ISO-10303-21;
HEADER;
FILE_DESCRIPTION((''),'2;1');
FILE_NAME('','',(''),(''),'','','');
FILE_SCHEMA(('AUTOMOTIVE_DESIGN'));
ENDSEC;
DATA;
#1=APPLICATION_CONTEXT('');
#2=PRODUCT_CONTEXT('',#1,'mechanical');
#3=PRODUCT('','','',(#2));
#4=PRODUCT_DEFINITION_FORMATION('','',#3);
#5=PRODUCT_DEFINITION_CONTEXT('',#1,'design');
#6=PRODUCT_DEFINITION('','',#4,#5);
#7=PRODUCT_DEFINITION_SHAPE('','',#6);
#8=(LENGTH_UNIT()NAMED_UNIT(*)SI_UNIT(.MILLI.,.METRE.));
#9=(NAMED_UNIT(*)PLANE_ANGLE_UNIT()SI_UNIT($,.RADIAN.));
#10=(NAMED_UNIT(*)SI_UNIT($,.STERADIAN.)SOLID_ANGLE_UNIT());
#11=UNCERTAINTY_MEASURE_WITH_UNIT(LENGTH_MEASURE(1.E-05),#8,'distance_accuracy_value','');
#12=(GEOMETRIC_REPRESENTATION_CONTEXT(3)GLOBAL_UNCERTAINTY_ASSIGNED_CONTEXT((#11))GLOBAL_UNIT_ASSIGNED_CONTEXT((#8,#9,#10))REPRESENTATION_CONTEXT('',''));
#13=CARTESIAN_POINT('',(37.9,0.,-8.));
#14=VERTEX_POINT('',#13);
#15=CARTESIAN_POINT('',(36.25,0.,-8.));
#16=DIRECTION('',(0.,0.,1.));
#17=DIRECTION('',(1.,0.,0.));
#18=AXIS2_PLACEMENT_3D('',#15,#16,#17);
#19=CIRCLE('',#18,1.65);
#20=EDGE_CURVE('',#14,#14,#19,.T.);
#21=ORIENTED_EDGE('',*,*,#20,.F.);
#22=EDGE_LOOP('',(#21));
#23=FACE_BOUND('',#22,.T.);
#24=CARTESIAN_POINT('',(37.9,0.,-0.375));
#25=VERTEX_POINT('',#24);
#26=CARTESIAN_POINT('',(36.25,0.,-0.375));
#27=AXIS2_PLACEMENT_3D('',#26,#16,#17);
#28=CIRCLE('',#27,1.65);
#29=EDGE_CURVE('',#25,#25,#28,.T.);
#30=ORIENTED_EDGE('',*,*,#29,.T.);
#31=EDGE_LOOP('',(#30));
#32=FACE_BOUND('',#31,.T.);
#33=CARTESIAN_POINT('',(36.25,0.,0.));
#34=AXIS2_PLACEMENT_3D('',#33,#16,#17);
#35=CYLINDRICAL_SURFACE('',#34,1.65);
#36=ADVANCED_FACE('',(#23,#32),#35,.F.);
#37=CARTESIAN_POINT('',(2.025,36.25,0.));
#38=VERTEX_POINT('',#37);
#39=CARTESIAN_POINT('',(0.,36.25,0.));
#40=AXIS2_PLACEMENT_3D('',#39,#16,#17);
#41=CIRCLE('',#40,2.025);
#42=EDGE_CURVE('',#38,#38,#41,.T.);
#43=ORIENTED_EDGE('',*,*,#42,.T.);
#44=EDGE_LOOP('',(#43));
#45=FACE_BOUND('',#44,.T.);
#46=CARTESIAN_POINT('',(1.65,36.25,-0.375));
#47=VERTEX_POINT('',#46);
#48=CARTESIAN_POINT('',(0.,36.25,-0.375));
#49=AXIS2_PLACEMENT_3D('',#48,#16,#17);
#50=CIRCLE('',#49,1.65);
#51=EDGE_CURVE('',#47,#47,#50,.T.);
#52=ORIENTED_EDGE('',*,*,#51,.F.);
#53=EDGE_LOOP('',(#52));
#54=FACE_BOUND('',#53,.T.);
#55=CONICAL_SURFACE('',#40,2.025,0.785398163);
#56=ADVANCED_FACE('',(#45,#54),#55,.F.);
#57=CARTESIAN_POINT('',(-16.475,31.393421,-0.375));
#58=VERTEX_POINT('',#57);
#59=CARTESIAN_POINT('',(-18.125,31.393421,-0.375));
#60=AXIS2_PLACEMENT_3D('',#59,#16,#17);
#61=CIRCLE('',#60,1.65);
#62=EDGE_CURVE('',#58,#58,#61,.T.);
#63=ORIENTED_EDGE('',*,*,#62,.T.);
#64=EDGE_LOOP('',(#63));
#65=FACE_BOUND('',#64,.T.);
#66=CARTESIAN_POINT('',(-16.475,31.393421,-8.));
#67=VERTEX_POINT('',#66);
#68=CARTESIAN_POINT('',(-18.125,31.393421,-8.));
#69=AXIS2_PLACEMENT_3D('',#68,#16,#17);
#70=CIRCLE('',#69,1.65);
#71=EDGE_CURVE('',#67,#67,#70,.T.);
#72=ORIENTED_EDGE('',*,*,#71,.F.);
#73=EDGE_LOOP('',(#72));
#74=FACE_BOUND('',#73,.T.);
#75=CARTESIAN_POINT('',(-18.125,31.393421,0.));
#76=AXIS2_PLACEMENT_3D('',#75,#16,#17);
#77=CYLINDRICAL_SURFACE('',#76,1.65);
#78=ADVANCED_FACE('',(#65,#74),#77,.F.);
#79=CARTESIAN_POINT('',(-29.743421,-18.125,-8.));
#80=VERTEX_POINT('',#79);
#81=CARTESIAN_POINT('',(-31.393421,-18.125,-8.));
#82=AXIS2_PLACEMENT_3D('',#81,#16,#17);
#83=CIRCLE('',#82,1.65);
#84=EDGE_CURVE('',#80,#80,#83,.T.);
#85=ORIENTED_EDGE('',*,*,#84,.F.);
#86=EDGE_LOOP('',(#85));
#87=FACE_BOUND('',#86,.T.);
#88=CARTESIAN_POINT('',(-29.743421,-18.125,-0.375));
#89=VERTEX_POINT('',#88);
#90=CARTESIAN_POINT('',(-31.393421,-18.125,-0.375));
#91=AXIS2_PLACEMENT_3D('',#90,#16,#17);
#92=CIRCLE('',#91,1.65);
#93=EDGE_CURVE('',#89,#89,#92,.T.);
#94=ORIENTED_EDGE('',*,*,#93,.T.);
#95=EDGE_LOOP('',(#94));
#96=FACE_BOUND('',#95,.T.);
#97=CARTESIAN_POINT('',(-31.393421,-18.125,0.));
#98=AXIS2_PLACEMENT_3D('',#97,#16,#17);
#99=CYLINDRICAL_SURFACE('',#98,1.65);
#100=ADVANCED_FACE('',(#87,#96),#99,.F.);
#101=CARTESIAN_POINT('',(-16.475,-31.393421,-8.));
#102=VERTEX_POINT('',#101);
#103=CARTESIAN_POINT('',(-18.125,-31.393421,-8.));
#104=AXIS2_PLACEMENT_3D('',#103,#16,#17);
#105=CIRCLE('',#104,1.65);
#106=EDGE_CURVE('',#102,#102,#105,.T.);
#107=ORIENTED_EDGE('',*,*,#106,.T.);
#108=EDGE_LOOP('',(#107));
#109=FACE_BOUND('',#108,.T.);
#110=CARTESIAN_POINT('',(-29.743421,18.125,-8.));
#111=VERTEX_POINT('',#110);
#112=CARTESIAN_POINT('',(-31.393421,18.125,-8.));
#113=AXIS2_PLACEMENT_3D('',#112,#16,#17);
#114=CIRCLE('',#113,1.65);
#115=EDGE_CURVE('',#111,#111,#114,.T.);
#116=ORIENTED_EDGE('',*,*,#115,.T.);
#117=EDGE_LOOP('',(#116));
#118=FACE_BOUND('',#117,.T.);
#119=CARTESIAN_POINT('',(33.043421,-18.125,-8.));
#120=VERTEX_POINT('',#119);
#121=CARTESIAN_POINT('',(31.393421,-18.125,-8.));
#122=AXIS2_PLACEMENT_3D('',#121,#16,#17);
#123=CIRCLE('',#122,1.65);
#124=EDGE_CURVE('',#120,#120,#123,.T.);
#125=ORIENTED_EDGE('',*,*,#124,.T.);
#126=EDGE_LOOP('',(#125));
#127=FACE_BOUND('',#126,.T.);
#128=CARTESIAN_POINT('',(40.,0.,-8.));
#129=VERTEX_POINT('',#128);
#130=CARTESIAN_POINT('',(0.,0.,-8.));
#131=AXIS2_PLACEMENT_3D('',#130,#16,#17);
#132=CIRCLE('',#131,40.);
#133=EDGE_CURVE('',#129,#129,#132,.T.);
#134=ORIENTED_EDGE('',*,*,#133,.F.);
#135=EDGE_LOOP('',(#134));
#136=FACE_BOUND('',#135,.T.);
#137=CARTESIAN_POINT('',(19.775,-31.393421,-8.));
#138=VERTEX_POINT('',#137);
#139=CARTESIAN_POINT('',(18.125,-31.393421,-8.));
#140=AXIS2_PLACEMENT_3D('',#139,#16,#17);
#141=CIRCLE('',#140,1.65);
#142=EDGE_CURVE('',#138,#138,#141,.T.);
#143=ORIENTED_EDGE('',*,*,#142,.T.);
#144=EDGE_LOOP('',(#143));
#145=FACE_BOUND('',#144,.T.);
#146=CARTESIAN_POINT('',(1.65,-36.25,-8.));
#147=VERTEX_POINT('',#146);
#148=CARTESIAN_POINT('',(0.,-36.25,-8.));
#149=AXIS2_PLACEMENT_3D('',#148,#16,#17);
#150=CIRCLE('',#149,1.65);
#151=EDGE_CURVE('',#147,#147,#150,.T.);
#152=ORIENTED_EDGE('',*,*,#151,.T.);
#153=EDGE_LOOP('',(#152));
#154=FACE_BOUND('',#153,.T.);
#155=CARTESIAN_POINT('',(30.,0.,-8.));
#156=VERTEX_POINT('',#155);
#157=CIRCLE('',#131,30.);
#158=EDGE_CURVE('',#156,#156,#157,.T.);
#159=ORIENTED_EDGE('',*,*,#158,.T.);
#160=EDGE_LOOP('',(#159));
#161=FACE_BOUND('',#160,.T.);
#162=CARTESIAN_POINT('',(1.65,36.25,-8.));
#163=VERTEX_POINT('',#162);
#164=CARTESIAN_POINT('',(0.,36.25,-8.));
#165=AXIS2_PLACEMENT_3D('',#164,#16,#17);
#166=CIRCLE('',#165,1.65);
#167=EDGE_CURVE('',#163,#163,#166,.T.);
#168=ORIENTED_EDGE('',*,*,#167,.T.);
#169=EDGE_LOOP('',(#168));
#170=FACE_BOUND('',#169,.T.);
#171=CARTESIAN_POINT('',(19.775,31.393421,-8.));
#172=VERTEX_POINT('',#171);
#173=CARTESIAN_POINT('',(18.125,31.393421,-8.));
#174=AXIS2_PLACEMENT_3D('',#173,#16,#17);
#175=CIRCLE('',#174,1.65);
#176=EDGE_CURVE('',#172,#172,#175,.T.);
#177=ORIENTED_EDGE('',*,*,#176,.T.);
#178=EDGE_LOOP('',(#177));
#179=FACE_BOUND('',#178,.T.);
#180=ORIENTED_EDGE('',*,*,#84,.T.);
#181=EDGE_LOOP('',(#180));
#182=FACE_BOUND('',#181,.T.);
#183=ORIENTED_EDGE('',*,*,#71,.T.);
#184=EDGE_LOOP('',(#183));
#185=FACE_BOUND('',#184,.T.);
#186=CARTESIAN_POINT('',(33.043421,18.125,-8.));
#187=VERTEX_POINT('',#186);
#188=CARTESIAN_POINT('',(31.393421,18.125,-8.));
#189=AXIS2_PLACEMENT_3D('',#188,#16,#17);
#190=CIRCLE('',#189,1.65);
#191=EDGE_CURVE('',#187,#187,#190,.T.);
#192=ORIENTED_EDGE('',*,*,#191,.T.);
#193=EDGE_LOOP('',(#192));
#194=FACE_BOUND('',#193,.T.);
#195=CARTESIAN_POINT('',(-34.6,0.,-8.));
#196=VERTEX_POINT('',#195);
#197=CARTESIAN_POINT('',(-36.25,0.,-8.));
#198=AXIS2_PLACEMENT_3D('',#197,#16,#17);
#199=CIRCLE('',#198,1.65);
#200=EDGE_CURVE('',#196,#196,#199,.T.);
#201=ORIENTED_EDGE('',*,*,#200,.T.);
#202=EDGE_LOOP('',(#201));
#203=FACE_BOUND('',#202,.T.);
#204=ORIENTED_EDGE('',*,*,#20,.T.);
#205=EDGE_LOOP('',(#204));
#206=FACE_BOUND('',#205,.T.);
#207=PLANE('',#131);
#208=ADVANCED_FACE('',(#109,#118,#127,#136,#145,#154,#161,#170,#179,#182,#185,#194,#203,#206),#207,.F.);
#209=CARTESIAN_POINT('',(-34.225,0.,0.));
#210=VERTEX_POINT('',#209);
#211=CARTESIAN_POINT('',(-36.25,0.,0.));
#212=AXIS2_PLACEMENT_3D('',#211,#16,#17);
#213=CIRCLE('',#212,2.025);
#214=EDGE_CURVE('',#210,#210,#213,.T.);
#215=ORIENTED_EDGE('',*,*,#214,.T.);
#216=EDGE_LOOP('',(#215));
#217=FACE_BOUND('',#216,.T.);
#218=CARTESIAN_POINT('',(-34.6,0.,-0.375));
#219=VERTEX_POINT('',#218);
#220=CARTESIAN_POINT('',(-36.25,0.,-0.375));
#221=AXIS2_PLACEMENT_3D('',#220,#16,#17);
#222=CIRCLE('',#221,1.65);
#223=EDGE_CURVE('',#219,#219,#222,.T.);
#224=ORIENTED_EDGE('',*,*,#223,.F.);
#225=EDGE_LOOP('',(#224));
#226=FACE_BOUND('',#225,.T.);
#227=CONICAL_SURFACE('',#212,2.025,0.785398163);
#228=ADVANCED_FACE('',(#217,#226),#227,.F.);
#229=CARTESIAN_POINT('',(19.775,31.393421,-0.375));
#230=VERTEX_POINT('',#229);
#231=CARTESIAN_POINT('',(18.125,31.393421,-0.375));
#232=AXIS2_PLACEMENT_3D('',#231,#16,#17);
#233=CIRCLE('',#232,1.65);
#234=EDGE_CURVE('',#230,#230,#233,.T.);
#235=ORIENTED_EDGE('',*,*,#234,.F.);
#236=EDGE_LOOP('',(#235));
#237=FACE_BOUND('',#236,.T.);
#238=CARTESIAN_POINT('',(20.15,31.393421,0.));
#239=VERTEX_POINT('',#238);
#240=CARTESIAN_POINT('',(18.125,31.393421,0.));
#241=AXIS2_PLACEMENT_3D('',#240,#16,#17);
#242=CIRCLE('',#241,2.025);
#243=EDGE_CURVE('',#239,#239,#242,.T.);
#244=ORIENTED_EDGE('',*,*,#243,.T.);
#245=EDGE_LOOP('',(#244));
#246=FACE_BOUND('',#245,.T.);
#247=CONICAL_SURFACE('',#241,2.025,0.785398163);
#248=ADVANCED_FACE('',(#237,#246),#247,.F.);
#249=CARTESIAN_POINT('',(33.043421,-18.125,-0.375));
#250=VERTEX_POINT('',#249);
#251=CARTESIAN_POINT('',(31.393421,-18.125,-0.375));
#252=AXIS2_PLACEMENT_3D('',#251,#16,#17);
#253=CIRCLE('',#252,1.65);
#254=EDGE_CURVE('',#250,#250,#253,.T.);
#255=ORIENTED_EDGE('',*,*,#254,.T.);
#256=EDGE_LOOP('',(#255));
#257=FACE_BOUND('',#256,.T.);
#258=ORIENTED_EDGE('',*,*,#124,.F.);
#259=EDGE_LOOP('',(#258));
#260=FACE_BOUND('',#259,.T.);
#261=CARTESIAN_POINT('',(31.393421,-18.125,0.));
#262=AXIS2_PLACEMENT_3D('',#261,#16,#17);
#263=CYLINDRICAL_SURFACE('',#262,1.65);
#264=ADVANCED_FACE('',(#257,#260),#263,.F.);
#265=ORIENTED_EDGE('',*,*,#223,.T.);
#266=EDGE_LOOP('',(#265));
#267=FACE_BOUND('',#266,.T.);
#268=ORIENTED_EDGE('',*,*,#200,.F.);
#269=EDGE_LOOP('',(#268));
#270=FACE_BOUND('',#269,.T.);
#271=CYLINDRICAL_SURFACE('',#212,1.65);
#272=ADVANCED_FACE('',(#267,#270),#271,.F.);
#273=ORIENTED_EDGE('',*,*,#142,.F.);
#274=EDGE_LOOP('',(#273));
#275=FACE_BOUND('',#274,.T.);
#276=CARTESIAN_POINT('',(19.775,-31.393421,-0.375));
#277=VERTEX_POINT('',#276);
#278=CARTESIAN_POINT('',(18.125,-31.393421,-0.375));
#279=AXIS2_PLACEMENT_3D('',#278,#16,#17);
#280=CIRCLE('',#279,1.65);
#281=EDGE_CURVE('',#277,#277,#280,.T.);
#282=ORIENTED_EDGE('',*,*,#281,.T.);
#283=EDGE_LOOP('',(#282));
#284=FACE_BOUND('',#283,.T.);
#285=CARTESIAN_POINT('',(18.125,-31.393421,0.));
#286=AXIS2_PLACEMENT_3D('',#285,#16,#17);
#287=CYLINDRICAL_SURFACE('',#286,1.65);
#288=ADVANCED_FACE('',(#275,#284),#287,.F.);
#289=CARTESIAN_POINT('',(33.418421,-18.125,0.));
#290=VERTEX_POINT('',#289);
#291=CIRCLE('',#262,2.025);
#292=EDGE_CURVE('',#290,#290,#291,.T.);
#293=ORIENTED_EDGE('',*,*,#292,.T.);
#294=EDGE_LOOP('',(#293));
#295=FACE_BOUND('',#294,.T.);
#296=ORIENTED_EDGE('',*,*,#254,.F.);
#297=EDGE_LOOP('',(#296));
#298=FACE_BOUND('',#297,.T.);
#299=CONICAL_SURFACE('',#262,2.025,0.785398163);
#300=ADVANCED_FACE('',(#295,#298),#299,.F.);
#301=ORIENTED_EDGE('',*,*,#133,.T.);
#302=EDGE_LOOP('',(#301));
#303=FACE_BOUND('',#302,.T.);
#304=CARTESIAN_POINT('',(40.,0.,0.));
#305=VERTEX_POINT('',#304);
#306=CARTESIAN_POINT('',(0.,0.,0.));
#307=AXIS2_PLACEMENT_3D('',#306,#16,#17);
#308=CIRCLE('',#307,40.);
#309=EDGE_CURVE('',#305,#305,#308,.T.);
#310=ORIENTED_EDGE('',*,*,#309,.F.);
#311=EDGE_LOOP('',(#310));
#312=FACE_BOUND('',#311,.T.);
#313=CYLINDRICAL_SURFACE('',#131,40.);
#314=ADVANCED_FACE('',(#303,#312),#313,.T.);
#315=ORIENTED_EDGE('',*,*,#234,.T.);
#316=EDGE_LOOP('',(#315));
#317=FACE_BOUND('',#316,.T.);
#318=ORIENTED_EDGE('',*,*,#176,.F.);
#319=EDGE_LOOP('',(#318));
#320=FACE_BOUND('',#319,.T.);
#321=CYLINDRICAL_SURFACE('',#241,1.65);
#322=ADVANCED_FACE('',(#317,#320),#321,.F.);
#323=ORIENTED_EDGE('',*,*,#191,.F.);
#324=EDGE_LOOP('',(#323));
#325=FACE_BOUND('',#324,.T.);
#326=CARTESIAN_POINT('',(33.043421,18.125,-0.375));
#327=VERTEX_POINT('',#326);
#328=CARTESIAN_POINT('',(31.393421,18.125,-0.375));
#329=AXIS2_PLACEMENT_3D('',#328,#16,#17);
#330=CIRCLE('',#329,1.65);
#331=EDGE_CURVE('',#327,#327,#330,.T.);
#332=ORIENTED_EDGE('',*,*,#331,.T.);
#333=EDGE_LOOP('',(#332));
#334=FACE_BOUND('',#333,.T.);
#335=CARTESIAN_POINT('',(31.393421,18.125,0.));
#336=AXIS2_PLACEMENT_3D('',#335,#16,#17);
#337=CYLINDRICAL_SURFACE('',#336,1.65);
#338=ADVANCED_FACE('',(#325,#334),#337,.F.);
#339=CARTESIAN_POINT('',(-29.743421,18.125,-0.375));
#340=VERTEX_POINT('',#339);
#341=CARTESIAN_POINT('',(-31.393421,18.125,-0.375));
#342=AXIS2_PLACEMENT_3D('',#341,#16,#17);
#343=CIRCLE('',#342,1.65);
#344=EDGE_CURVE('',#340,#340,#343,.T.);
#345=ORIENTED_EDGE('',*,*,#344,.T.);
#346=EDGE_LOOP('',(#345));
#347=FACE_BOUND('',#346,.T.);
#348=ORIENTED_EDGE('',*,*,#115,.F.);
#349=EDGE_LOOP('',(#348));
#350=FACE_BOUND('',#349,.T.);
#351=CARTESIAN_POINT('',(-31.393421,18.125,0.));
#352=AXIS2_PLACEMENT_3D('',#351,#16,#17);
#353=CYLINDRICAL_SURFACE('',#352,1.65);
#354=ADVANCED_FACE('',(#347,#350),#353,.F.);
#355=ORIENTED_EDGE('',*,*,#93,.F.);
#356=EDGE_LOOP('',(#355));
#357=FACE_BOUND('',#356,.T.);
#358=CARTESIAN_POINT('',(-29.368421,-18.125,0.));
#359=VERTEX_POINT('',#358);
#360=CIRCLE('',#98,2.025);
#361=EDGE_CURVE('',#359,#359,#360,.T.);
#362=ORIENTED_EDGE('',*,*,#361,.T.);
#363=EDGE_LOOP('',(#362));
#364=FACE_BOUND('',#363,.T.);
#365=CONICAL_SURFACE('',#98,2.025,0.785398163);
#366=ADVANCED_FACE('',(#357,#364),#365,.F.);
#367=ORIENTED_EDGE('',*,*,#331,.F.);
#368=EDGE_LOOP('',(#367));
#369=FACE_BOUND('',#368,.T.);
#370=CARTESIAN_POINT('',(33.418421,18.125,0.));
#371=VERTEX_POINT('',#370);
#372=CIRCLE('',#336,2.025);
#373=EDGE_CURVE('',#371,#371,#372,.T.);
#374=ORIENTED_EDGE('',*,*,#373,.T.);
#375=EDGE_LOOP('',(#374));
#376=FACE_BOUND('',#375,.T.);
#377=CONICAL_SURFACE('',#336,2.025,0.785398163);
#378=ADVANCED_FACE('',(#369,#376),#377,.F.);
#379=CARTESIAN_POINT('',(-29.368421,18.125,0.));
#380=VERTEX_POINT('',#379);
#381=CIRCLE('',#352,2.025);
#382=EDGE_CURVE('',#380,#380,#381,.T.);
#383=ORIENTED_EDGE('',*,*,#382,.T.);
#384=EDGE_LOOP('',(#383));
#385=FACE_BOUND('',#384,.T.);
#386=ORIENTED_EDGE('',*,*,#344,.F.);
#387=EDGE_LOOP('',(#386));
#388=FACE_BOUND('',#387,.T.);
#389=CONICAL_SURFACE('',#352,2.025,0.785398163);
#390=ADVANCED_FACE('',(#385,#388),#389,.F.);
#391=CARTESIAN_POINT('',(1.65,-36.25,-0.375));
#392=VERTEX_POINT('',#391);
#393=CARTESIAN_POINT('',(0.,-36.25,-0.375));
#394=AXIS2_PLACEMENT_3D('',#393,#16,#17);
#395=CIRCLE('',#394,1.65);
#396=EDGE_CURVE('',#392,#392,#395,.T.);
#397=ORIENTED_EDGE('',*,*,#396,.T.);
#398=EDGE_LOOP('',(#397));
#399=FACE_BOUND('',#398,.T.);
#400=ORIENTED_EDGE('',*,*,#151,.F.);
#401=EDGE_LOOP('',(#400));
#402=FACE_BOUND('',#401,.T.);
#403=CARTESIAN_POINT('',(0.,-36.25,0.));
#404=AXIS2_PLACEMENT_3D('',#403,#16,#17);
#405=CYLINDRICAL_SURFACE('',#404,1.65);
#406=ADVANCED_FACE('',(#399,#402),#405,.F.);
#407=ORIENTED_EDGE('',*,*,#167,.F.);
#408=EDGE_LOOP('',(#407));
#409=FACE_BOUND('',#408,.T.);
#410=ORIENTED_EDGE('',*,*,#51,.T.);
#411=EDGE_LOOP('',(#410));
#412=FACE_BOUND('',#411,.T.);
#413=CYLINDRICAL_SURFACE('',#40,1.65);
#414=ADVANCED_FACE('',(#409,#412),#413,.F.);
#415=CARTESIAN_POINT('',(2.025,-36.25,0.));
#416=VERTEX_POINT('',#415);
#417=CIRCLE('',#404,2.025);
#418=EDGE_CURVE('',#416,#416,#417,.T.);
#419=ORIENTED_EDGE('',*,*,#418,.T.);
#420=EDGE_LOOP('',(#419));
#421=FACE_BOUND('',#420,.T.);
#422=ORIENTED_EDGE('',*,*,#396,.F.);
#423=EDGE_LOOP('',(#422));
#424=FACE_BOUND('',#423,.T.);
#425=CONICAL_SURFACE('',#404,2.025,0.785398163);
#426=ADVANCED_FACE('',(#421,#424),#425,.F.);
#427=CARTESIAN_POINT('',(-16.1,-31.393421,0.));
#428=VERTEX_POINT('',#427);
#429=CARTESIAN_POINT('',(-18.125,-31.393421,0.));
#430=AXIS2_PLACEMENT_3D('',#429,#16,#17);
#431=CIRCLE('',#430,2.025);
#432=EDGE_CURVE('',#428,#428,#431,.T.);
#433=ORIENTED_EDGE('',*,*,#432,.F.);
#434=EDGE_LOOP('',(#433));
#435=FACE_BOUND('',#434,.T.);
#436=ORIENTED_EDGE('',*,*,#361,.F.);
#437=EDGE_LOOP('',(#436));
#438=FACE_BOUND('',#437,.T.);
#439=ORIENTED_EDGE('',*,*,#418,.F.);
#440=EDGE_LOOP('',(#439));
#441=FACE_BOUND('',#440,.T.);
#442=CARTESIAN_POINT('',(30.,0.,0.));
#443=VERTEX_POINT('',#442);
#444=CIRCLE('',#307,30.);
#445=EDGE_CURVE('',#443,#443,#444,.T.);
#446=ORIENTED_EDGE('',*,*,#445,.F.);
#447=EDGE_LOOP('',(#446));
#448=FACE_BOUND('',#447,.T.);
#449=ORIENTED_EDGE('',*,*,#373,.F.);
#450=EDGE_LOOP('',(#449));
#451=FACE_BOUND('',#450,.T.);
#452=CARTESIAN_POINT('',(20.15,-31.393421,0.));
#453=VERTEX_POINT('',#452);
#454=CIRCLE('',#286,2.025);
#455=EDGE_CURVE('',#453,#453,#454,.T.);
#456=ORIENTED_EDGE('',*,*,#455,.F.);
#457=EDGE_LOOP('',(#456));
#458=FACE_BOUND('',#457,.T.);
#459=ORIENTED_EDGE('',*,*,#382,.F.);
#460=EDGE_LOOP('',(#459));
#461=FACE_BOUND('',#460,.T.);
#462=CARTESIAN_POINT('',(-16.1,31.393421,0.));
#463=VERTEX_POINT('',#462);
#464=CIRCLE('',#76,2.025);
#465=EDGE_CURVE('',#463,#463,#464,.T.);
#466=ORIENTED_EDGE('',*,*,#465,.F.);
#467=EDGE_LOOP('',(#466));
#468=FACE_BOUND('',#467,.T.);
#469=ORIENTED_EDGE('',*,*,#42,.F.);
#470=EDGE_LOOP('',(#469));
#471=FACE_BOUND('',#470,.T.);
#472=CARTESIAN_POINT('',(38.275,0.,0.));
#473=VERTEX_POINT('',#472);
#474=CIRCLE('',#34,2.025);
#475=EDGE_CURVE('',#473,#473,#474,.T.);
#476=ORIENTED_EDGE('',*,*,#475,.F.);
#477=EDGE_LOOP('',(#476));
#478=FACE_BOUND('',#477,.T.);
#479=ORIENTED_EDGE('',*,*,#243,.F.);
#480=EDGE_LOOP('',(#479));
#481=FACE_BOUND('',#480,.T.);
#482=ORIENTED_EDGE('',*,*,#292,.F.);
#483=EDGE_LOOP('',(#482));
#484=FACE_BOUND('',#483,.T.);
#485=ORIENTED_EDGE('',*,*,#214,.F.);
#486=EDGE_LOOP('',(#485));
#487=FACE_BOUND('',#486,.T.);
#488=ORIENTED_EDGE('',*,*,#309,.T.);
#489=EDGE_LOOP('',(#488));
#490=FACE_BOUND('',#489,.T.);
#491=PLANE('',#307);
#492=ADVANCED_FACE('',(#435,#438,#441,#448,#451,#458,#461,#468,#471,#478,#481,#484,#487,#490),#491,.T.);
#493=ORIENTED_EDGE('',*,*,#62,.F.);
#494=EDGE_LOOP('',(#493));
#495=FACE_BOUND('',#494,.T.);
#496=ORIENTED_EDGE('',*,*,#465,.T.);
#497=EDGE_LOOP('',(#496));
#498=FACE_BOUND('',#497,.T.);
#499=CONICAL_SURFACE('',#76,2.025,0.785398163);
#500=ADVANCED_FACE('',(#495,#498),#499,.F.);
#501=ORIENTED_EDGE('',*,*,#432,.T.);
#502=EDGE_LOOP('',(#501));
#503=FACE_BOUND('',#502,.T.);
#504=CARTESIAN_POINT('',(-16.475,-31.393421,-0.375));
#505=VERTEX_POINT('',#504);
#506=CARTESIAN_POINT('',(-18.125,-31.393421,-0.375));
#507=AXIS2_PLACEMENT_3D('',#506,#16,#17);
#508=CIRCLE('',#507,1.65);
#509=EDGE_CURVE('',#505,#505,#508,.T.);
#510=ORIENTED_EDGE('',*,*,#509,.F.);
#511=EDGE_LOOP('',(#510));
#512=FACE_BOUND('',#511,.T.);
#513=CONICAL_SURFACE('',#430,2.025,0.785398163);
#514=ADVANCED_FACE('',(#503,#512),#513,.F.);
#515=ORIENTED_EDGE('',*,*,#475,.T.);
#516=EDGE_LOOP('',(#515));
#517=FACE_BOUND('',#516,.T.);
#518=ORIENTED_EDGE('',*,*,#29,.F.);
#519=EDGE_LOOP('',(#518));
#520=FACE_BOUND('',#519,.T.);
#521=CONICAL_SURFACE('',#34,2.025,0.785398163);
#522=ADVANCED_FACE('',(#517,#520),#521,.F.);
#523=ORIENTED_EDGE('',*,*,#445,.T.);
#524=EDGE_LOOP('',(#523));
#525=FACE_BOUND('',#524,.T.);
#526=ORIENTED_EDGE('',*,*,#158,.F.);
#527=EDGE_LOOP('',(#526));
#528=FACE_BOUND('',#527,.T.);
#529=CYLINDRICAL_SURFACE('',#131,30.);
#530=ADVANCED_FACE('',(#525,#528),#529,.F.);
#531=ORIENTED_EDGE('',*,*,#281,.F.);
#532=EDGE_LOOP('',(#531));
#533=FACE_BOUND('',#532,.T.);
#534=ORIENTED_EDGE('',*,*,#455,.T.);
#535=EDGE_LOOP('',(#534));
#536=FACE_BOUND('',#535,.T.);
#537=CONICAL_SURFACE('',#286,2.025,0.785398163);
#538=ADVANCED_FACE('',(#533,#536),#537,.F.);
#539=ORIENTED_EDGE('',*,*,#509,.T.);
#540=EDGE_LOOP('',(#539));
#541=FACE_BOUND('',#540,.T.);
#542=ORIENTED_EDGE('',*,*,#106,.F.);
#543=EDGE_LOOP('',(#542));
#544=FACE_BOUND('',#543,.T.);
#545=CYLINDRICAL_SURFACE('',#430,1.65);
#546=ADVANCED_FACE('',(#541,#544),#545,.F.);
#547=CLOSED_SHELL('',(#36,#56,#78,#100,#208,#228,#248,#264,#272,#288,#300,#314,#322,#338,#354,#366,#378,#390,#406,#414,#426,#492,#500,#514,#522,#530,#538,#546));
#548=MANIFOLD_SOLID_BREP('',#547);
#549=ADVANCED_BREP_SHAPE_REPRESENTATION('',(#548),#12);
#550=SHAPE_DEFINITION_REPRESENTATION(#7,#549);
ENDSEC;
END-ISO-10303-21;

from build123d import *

# Parameters (mm, degrees)
SKETCH1_R                       = 40
SKETCH1_R_2                     = 30
BOSS_EXTRUDE1_DEPTH             = 8
M4X0_7_TAPPED_HOLE1_D           = 3.3
M4X0_7_TAPPED_HOLE1_CSINK_D     = 4.05
M4X0_7_TAPPED_HOLE1_CSINK_ANGLE = 90
CIRPATTERN1_COUNT               = 12


with BuildPart() as part:
    # Sketch1 → Boss-Extrude1 (new body)
    with BuildSketch(Plane.XY):
        Circle(SKETCH1_R)
        Circle(SKETCH1_R_2, mode=Mode.SUBTRACT)
    extrude(amount=-BOSS_EXTRUDE1_DEPTH)

    # M4x0.7 Tapped Hole1 (through all)
    with Locations(Plane.XY):
        with Locations((0, 36.25)):
            m4x0_7_tapped_hole1 = CounterSinkHole(M4X0_7_TAPPED_HOLE1_D / 2, M4X0_7_TAPPED_HOLE1_CSINK_D / 2, counter_sink_angle=M4X0_7_TAPPED_HOLE1_CSINK_ANGLE)

    # CirPattern1: M4x0.7 Tapped Hole1 ×12 about axis
    cirpattern1_axis = Axis((0, 0, 0), (0, 0, 1))
    for i in range(1, CIRPATTERN1_COUNT):
        add(m4x0_7_tapped_hole1.rotate(cirpattern1_axis, i * 360 / CIRPATTERN1_COUNT), mode=Mode.SUBTRACT)


solid = part.part
